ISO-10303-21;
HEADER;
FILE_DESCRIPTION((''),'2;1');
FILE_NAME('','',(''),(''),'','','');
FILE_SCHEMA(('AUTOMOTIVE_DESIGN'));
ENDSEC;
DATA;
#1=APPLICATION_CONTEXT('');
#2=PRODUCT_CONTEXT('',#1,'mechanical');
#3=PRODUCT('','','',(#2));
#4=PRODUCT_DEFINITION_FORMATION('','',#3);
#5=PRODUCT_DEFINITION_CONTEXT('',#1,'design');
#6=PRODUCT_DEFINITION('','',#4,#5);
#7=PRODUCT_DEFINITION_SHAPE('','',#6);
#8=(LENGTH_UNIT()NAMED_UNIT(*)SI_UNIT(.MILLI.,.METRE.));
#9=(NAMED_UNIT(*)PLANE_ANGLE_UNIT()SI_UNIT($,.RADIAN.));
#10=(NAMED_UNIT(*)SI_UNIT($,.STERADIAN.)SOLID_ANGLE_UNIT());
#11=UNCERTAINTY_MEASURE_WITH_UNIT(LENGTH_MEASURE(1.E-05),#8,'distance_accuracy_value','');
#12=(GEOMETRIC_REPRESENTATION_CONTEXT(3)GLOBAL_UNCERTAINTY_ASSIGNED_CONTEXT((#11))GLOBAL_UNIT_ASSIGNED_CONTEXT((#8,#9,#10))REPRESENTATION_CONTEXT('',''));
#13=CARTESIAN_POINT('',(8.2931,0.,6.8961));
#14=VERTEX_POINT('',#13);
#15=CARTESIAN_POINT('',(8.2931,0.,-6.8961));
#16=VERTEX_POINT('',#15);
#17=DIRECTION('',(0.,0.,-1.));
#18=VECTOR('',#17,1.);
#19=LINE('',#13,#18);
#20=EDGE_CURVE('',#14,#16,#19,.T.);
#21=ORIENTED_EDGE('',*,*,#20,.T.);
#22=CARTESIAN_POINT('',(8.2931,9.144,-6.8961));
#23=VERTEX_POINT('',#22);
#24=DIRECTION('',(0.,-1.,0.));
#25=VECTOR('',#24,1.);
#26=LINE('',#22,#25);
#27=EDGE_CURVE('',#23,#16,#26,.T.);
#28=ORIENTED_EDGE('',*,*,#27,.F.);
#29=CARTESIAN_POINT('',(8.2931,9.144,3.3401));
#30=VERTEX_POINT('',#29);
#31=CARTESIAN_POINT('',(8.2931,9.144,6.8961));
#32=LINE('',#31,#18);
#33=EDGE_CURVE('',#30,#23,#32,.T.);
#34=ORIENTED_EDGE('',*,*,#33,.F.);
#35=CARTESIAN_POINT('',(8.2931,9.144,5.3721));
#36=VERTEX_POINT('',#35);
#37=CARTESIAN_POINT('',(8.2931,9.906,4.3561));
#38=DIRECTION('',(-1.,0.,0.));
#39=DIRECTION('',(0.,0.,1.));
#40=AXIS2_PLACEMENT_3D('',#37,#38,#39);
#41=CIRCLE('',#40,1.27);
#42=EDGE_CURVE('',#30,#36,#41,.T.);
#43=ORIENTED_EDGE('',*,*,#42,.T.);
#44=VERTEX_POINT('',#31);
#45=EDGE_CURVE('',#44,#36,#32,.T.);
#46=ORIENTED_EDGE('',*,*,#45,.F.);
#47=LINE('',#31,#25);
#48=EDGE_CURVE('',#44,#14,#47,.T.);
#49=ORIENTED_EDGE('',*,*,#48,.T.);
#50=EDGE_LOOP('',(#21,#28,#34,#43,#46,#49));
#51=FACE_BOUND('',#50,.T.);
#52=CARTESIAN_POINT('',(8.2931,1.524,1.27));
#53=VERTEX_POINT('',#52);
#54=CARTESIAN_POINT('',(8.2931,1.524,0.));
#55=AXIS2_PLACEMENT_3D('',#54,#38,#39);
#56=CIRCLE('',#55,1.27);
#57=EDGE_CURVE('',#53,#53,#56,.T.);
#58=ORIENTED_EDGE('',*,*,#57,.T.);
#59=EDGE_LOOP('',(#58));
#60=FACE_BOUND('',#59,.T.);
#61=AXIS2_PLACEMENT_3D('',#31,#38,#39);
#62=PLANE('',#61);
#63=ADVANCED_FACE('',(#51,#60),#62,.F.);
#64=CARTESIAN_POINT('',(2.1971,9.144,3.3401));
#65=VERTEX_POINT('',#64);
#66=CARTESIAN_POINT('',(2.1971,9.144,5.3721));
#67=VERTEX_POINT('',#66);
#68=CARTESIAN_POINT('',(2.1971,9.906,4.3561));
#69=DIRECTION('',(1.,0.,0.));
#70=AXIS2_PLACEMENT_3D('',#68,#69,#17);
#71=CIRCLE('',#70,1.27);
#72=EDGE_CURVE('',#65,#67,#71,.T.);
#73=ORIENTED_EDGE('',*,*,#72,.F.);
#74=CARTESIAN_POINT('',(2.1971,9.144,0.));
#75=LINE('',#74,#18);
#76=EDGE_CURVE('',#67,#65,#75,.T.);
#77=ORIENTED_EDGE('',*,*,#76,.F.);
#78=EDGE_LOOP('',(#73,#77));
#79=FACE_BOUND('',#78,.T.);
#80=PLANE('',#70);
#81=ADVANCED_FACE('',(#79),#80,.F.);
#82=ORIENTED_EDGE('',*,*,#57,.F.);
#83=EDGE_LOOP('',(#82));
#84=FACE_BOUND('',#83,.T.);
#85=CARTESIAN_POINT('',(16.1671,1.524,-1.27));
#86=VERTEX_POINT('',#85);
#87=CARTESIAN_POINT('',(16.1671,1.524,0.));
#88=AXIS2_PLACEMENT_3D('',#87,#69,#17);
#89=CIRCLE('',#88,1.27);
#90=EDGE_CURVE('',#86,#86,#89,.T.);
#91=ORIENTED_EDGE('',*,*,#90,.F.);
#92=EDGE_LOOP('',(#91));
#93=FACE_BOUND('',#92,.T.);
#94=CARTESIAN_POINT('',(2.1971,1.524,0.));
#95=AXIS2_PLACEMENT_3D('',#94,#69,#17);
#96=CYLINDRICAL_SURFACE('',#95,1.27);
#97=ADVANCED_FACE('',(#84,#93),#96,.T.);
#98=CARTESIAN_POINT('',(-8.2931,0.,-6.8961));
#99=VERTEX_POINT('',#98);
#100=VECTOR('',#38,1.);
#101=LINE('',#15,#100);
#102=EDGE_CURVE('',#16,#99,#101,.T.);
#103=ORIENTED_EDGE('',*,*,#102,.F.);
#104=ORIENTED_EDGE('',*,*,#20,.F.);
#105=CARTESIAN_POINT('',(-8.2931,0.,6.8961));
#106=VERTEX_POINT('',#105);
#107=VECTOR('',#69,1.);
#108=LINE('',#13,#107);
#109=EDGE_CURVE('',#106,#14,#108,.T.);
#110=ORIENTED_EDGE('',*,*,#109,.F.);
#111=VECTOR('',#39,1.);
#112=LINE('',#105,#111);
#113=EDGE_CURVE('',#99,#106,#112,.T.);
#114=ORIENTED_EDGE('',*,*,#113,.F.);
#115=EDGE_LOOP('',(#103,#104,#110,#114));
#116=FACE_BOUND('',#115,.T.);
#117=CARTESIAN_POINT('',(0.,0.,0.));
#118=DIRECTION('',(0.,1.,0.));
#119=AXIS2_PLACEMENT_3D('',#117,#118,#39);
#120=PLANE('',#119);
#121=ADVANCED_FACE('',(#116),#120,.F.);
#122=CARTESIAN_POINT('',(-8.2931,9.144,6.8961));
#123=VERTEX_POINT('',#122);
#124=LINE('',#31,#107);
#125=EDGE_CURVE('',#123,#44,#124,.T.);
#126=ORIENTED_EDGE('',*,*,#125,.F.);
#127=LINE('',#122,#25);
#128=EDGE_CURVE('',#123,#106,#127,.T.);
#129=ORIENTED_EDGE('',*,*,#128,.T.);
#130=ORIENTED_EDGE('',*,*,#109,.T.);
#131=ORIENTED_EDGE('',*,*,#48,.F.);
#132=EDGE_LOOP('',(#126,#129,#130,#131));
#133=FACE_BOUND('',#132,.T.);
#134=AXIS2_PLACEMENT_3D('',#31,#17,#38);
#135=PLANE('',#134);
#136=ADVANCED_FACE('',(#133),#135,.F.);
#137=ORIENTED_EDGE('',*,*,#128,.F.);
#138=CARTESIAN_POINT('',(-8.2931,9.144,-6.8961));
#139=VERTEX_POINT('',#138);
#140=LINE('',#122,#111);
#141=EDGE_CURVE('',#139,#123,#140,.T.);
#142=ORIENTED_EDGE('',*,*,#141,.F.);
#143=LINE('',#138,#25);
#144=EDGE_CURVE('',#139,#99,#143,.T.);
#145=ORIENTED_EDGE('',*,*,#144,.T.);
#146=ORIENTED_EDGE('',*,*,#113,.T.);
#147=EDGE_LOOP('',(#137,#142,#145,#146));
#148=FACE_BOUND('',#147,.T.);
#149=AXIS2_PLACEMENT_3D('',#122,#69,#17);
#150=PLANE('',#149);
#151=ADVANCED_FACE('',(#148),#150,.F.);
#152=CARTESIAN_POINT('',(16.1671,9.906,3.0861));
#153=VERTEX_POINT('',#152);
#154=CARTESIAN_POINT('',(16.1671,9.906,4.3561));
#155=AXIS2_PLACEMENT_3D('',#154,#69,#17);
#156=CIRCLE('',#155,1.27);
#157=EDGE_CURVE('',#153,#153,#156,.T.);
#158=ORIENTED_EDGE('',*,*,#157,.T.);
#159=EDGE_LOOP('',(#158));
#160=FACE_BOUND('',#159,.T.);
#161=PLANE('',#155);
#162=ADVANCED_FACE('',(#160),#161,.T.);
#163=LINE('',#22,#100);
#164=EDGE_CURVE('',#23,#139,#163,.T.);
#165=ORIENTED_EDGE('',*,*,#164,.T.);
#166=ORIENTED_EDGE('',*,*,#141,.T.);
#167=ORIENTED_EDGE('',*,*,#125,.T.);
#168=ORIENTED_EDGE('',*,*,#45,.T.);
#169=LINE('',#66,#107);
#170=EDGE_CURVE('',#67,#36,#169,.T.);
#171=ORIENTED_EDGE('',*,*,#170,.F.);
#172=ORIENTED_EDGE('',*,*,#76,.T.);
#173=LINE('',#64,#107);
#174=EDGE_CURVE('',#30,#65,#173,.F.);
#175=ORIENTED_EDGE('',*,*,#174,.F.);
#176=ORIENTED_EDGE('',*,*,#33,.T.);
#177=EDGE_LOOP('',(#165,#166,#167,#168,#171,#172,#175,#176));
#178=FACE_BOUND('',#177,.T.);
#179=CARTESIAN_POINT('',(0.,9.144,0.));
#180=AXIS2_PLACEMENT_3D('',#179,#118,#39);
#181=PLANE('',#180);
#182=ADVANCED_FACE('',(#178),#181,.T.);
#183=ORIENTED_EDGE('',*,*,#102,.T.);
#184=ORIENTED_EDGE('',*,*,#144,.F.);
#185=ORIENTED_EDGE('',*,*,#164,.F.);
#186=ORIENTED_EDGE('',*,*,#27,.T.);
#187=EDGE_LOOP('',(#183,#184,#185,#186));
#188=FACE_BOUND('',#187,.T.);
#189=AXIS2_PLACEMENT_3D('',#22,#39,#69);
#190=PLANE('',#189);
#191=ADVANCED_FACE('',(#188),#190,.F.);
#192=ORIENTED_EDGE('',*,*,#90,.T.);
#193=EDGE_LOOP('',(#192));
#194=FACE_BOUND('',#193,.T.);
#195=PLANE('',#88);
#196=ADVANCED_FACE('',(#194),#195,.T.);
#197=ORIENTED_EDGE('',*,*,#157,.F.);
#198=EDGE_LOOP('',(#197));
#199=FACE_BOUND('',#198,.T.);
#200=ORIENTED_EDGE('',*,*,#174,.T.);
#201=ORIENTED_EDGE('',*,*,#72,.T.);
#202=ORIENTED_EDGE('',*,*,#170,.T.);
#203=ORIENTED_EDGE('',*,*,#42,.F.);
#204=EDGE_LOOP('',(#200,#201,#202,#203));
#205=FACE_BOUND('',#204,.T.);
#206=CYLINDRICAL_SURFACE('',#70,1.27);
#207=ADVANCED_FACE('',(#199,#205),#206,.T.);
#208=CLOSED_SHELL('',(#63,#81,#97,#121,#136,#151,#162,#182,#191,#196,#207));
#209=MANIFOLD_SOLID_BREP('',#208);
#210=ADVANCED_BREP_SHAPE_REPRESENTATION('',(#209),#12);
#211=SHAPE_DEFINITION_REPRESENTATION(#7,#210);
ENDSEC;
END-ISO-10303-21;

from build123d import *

# Parameters (mm, degrees)
SKETCH1_W                = 16.5862
SKETCH1_H                = 13.7922
BOSS_EXTRUDE1_DEPTH      = 9.144
SKETCH2_R                = 1.27
BOSS_EXTRUDE2_DEPTH      = 7.874
BOSS_EXTRUDE2_DEPTH_BACK = 6.096


with BuildPart() as part:
    # Sketch1 → Boss-Extrude1 (new body)
    with BuildSketch(Plane(origin=(0, 0, 0), x_dir=(1, 0, 0), z_dir=(0, 1, 0))):
        Rectangle(SKETCH1_W, SKETCH1_H)
    extrude(amount=BOSS_EXTRUDE1_DEPTH)

    # Sketch2 → Boss-Extrude2 (add, two sides)
    with BuildSketch(Plane(origin=(8.2931, 0, 0), x_dir=(0, 0, -1), z_dir=(1, 0, 0))) as boss_extrude2_sk:
        with Locations((0, 1.524)):
            Circle(SKETCH2_R)
        with Locations((-4.3561, 9.906)):
            Circle(SKETCH2_R)
    extrude(amount=BOSS_EXTRUDE2_DEPTH)
    extrude(boss_extrude2_sk.sketch, amount=-BOSS_EXTRUDE2_DEPTH_BACK)


solid = part.part
